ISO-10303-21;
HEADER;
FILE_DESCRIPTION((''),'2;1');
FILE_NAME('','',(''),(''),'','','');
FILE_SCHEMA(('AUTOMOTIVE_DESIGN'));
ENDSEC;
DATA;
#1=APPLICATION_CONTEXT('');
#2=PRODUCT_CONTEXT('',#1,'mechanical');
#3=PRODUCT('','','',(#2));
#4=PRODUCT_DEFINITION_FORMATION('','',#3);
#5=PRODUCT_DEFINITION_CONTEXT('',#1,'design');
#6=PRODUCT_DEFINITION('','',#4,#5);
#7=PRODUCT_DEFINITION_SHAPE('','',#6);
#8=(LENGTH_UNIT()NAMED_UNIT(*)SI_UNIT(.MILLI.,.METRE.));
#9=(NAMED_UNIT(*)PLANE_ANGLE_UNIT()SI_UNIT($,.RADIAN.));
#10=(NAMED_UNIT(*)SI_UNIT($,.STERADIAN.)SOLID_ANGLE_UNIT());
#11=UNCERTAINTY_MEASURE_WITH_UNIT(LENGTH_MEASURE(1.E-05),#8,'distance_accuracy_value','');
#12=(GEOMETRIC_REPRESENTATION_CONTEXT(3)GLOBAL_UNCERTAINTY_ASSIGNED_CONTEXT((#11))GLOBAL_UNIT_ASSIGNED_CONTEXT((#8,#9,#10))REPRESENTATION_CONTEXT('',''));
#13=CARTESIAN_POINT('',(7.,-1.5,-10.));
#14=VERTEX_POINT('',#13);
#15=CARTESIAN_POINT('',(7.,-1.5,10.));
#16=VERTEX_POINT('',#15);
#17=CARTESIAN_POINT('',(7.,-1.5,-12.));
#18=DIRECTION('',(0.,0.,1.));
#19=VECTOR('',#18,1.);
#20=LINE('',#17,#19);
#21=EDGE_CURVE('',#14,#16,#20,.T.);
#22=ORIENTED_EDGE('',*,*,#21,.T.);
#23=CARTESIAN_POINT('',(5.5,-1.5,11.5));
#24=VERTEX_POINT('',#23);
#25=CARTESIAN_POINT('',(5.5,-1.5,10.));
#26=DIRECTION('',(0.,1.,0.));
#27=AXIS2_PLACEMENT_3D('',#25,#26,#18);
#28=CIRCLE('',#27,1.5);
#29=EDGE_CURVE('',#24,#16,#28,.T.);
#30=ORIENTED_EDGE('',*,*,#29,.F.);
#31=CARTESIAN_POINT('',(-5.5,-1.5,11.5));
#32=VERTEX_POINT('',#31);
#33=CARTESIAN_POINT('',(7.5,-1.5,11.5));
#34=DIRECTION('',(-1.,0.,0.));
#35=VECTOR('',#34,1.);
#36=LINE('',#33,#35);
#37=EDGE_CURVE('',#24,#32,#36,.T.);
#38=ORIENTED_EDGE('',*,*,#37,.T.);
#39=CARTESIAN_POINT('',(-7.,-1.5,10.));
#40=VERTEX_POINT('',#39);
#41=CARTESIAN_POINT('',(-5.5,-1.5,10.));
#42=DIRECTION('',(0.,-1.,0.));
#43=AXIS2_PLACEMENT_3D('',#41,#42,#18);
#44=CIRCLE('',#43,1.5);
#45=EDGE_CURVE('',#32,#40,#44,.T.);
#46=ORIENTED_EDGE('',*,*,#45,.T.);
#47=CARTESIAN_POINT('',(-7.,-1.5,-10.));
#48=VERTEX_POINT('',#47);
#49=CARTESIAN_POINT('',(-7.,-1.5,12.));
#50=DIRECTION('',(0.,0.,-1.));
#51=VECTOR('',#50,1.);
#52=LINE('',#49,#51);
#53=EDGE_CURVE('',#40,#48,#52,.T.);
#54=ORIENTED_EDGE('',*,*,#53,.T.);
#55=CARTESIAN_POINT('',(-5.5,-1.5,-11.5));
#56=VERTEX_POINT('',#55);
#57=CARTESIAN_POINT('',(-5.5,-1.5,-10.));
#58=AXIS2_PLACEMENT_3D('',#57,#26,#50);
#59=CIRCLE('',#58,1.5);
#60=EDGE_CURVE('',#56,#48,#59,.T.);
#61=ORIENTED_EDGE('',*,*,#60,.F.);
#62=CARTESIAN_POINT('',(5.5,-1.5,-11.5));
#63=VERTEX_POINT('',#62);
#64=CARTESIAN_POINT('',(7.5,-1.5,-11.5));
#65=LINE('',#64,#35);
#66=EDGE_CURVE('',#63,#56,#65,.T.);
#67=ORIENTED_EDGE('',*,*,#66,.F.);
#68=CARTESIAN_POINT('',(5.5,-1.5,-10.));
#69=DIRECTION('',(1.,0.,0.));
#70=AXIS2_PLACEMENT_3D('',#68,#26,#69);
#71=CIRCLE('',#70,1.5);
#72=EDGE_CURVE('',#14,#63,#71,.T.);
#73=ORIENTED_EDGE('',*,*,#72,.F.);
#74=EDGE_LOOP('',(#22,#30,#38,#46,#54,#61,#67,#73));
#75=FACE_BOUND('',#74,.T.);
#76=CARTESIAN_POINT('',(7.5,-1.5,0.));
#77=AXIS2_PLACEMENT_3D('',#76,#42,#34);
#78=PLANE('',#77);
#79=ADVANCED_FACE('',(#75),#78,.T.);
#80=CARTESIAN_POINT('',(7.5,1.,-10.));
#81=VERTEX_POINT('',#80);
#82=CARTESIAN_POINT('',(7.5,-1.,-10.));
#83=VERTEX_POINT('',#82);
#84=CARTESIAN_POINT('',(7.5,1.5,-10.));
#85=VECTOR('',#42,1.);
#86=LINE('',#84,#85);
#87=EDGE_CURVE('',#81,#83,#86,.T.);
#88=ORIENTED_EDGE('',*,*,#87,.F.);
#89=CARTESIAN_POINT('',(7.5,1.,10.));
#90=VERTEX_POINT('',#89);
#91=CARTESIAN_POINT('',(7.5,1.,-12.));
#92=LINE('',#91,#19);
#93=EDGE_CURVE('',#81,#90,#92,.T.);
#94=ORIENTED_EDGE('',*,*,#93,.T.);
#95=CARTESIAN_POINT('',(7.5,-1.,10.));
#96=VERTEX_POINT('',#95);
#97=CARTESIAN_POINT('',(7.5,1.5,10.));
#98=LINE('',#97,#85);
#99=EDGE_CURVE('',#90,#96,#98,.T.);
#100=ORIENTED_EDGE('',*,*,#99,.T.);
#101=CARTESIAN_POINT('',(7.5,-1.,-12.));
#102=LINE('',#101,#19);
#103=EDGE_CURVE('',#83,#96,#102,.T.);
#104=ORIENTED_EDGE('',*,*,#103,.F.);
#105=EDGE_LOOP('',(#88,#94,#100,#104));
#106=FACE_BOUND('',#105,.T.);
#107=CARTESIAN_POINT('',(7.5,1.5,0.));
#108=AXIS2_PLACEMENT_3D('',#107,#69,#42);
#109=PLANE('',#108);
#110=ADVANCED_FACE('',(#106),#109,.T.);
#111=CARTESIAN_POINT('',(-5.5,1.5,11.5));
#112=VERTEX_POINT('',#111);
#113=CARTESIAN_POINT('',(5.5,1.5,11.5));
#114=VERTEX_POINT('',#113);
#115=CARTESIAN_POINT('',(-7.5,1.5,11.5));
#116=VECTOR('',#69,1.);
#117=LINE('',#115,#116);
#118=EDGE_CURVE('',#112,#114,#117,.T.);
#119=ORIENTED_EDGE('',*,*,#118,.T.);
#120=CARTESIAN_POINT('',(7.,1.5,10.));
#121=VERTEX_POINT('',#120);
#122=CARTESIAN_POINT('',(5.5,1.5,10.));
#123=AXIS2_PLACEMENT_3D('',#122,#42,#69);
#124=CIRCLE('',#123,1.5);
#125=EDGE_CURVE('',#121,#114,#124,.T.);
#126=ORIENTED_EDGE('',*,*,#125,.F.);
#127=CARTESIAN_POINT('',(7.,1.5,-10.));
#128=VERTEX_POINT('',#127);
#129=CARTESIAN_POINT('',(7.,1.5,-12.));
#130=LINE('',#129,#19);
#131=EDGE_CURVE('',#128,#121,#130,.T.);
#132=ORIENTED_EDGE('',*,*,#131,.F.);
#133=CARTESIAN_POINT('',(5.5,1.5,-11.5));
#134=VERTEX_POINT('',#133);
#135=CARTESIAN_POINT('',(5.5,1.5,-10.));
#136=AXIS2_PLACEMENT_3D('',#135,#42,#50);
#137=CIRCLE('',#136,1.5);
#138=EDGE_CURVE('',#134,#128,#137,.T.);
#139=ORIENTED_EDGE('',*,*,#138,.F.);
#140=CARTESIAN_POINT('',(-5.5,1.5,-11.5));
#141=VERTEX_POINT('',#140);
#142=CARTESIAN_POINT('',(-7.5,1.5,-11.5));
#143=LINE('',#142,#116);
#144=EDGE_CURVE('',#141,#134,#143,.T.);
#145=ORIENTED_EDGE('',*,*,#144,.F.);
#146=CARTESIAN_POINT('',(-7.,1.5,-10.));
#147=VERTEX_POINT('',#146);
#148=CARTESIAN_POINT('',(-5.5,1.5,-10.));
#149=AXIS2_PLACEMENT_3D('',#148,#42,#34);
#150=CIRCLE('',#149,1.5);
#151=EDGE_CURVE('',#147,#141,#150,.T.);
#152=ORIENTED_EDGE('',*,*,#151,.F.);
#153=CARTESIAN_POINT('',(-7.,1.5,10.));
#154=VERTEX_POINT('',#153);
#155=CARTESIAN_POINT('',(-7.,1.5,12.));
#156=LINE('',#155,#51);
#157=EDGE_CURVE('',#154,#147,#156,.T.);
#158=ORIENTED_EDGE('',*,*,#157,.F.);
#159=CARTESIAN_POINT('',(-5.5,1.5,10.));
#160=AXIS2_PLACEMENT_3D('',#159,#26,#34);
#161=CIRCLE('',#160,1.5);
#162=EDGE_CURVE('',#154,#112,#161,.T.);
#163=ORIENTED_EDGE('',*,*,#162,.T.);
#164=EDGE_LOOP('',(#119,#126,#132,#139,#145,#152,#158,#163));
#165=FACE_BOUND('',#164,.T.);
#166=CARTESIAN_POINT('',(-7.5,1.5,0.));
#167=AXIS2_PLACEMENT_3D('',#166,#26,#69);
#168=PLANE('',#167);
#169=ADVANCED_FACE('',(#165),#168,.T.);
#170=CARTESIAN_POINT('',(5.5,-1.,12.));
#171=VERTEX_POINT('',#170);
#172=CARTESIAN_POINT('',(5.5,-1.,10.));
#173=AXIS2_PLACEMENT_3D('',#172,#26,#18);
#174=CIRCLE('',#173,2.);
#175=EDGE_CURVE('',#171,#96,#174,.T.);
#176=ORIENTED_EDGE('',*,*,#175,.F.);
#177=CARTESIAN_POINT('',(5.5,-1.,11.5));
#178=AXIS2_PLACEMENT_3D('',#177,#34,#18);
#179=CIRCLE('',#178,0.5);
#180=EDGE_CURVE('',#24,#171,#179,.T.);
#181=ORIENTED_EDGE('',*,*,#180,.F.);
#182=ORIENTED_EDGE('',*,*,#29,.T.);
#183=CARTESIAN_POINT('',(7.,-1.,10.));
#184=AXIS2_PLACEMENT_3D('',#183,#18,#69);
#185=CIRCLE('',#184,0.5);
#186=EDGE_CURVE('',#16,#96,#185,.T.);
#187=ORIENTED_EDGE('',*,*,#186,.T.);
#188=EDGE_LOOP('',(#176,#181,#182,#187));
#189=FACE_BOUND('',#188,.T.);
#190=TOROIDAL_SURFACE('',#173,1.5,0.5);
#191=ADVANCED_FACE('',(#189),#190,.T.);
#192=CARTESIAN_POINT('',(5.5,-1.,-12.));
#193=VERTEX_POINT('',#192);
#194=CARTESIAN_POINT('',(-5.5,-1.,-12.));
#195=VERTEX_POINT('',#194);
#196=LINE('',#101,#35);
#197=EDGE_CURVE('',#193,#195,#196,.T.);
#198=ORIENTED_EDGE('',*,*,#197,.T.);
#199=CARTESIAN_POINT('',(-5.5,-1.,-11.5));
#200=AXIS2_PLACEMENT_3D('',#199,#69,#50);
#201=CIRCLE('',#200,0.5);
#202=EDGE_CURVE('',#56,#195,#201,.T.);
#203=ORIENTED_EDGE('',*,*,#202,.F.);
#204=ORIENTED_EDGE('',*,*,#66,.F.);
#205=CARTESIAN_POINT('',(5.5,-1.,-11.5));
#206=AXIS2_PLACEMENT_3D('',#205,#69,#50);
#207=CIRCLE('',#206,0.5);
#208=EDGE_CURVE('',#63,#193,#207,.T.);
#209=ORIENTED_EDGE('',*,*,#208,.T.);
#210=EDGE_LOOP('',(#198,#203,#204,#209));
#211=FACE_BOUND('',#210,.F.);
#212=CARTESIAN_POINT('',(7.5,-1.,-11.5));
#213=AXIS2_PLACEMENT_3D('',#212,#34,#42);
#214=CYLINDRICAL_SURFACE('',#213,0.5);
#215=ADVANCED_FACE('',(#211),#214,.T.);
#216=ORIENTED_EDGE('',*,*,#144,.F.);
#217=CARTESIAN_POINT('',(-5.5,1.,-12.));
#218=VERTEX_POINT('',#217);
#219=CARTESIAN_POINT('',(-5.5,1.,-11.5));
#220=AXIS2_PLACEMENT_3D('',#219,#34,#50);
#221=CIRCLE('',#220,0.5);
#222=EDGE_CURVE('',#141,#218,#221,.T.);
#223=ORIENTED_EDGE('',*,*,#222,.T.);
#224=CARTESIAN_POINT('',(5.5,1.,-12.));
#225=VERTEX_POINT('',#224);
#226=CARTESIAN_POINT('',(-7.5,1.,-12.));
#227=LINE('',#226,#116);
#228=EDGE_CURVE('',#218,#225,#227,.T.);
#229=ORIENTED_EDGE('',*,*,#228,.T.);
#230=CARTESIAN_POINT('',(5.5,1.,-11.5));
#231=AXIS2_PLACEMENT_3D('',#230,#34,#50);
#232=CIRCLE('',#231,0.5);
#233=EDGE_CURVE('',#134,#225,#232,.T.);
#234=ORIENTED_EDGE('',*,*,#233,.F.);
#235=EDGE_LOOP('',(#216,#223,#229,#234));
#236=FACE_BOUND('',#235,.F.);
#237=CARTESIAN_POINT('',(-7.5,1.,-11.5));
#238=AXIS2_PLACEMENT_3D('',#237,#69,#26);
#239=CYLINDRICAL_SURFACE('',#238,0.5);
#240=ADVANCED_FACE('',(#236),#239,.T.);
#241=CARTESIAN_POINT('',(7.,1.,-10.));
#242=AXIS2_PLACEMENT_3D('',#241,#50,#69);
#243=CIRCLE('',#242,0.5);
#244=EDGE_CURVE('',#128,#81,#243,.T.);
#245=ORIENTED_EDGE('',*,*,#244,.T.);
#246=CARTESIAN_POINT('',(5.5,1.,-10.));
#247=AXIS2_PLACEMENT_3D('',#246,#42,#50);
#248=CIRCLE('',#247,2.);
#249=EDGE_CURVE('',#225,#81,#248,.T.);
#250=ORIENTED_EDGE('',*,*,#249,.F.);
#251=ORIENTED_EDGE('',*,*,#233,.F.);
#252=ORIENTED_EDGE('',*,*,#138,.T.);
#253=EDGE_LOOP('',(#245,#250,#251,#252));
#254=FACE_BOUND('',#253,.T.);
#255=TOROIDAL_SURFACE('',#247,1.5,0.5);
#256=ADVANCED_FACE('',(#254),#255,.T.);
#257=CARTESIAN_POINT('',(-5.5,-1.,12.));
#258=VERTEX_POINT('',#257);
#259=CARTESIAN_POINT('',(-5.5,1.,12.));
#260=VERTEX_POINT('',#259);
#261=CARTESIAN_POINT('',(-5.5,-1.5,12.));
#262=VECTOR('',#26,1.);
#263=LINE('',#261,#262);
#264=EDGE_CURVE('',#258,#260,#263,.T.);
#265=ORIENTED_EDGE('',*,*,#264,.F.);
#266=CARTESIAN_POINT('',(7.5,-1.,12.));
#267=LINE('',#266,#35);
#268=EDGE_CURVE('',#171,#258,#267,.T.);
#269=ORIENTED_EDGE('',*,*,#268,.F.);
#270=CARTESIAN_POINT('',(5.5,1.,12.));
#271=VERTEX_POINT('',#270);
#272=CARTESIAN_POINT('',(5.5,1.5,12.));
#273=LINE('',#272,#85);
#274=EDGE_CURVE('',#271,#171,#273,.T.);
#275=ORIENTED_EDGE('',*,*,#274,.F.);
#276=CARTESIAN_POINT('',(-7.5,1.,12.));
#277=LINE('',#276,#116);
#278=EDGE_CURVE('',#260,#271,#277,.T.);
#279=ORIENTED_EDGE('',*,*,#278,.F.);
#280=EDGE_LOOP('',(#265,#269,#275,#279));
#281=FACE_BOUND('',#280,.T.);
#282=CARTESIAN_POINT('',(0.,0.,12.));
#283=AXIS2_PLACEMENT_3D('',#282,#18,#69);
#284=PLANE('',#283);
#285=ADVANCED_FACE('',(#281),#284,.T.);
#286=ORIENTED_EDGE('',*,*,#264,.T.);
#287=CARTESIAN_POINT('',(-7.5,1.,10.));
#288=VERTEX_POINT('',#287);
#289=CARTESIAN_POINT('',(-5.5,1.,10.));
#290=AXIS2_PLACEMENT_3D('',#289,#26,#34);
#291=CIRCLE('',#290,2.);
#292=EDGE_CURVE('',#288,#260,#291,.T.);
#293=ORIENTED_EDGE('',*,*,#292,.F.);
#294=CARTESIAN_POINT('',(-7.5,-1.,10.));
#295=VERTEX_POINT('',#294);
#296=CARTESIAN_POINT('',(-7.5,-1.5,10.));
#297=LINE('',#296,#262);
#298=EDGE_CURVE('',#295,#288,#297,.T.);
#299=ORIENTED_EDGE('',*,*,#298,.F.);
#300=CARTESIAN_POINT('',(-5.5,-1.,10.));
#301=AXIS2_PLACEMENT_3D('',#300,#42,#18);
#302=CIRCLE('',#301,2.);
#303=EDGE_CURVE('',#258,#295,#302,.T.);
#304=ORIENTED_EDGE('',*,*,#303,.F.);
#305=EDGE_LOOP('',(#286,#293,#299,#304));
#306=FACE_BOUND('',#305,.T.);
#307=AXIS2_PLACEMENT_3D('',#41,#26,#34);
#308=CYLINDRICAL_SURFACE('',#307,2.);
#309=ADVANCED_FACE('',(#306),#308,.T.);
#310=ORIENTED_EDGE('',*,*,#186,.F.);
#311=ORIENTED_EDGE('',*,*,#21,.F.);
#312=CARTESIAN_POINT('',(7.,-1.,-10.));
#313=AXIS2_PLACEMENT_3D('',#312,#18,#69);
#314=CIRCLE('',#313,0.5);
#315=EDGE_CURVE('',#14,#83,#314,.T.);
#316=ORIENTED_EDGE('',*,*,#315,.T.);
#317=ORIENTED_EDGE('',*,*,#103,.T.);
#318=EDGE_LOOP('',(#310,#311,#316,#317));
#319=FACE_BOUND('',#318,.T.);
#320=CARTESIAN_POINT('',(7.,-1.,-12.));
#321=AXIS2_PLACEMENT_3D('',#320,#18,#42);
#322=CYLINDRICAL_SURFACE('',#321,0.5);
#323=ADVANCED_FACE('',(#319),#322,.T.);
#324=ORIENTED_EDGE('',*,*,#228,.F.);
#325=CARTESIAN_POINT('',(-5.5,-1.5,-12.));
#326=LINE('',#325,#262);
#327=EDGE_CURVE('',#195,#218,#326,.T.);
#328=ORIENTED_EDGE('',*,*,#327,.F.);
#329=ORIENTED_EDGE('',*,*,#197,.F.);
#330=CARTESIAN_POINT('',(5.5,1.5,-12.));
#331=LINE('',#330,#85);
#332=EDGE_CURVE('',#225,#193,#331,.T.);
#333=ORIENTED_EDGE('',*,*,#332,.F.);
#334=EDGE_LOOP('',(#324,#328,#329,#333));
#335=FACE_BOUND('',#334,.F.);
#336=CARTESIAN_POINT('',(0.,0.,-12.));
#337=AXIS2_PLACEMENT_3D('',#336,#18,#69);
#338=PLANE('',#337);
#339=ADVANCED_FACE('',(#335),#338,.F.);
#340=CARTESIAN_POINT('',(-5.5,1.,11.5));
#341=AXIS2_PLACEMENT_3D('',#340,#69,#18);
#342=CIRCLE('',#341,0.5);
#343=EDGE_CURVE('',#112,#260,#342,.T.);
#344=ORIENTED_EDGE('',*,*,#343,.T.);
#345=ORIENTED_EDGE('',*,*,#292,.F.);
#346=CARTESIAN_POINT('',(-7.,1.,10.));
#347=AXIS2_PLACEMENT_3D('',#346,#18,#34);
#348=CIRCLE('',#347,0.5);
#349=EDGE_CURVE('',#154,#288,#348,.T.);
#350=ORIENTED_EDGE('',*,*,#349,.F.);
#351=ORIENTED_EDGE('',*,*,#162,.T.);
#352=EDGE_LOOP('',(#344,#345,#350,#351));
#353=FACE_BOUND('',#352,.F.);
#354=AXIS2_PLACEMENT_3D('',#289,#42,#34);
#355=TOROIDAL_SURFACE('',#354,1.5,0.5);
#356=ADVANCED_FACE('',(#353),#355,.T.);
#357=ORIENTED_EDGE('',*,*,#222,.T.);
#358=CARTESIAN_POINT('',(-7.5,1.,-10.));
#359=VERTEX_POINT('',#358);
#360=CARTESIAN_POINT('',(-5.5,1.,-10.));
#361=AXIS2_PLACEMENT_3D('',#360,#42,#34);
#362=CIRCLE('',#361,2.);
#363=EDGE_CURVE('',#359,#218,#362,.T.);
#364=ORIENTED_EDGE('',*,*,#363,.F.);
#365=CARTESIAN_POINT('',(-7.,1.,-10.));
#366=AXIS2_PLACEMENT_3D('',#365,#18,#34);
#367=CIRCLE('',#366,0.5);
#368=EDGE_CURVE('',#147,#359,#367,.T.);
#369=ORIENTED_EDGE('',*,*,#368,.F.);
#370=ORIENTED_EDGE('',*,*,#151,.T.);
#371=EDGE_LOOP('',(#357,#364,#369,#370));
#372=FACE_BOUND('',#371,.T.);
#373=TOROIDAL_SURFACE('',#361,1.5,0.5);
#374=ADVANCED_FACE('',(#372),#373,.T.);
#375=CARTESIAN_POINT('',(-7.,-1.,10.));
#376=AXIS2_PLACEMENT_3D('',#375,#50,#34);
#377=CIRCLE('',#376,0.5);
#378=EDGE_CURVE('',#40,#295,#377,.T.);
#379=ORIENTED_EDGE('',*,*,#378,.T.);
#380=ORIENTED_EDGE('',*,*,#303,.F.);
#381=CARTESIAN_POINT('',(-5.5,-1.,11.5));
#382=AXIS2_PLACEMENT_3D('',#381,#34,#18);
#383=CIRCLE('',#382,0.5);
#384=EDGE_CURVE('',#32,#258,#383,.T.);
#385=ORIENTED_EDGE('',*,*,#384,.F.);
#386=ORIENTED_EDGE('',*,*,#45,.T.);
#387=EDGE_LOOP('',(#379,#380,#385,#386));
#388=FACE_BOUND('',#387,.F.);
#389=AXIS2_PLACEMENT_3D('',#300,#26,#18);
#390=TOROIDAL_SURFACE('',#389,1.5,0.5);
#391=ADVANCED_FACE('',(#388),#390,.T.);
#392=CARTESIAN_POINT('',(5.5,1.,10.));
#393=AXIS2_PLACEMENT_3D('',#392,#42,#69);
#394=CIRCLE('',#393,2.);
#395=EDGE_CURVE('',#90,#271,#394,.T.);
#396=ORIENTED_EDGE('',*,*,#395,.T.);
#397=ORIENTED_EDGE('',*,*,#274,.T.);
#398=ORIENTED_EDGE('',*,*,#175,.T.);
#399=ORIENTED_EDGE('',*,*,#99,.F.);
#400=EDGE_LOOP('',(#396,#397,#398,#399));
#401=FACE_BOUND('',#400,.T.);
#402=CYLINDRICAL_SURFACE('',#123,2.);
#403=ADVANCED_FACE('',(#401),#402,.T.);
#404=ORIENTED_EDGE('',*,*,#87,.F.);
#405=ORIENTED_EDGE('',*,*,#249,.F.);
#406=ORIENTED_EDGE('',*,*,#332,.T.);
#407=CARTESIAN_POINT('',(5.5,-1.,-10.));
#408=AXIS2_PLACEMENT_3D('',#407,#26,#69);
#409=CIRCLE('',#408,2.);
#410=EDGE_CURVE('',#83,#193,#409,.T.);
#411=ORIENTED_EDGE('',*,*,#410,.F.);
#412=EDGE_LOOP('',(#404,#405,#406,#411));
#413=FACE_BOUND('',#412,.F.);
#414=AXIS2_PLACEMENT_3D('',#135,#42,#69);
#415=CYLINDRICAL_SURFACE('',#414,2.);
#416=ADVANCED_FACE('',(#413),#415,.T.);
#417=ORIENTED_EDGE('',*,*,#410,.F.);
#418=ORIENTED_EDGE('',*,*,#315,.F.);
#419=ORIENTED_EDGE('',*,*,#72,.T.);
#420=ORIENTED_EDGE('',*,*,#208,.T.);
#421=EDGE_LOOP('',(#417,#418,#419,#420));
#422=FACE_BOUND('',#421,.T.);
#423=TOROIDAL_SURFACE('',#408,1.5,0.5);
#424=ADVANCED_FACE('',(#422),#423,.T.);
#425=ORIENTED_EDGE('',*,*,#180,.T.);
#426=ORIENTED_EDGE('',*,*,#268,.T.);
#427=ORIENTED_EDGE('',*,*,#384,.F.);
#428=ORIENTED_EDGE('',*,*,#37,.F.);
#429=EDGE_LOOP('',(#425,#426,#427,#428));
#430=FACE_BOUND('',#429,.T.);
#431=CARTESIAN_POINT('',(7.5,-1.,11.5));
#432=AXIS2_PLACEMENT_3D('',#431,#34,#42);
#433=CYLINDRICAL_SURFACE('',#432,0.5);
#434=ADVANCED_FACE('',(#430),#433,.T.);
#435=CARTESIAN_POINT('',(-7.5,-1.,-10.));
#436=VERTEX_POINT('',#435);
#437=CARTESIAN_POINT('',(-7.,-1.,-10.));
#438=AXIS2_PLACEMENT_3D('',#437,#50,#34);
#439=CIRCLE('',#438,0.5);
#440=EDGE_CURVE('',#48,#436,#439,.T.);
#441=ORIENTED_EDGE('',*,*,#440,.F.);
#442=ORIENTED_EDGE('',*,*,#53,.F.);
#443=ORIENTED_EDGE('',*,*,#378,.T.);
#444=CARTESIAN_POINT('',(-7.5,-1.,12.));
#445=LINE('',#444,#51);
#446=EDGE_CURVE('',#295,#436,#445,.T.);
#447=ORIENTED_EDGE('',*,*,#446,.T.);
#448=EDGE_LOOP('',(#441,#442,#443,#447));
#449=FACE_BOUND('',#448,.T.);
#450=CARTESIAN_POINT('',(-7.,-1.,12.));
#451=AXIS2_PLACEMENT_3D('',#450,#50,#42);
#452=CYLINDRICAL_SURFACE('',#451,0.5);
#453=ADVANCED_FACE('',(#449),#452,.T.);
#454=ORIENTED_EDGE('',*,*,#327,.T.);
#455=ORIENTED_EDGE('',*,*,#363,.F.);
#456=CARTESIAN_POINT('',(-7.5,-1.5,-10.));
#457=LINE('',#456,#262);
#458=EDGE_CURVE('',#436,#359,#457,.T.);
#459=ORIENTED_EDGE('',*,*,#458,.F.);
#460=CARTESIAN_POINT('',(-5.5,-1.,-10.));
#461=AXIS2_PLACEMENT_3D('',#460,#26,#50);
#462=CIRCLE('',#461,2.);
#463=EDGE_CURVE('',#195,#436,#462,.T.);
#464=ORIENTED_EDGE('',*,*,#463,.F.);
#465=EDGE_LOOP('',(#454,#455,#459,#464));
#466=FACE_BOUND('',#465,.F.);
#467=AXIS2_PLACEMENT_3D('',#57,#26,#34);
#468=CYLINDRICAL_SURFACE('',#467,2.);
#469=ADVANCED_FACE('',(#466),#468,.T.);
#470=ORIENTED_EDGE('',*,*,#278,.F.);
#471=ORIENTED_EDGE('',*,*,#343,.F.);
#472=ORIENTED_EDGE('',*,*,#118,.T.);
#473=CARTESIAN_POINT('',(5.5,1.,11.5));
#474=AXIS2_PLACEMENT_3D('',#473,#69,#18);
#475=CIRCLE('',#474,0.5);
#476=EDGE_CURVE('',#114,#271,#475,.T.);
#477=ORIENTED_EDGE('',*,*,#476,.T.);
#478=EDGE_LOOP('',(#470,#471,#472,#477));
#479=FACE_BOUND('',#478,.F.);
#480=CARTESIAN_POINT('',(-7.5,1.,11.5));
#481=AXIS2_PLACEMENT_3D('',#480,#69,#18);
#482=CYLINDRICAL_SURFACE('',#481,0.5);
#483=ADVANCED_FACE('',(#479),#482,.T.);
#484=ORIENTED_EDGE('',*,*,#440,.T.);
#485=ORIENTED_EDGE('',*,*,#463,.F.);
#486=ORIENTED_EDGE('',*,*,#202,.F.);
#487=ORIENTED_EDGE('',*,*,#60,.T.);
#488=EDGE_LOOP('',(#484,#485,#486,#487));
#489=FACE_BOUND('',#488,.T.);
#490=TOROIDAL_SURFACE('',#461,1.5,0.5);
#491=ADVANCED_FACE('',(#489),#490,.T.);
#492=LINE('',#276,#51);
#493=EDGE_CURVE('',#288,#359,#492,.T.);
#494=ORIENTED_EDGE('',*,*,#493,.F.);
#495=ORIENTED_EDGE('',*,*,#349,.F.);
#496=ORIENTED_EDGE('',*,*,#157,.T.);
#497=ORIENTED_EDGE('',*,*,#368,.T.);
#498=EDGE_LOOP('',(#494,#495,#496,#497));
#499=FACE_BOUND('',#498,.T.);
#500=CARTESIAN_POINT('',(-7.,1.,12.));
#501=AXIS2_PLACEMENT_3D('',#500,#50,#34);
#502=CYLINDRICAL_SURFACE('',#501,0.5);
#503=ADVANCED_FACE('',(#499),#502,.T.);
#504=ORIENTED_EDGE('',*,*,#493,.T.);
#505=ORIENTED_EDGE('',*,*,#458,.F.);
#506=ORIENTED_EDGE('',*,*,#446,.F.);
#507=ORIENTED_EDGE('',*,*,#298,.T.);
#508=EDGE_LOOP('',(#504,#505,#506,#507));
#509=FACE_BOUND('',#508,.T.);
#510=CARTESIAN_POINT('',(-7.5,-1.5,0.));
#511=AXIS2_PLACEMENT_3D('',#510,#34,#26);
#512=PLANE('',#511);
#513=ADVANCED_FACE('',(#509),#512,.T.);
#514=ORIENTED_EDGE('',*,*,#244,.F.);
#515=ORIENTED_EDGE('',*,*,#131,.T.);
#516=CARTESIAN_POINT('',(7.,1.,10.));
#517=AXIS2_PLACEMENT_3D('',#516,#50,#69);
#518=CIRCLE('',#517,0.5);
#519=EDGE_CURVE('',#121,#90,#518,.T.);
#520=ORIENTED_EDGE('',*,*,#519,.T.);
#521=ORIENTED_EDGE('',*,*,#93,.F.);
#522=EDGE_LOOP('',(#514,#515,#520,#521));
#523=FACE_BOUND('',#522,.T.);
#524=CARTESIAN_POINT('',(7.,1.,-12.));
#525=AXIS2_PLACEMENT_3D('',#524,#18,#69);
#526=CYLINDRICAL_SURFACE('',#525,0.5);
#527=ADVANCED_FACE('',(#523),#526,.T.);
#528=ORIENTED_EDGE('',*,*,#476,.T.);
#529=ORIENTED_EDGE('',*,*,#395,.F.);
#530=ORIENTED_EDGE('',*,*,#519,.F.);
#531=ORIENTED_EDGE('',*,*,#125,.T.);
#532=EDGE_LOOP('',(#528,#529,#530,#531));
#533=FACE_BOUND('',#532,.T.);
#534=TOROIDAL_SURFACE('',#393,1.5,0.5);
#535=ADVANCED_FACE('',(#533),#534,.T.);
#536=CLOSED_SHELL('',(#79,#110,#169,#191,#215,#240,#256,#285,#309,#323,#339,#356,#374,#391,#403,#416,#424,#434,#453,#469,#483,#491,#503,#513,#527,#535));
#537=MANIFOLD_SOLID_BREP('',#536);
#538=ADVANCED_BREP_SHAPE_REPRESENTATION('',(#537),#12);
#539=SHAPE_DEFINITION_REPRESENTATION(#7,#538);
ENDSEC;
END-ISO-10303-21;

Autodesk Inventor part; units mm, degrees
ref_plane "YZ Plane" through (0, 0, 0) normal (1, 0, 0) x (0, 1, 0)
ref_plane "XZ Plane" through (0, 0, 0) normal (0, 1, 0) x (-1, 0, 0)
ref_plane "XY Plane" through (0, 0, 0) normal (0, 0, 1) x (1, 0, 0)
sketch "Sketch1" plane through (0, 0, 0) normal (0, 0, 1) x (1, 0, 0)
  line L0 (7.5, -1.5) -> (-7.5, -1.5)
  line L1 (-7.5, -1.5) -> (-7.5, 1.5)
  line L2 (-7.5, 1.5) -> (7.5, 1.5)
  line L3 (7.5, 1.5) -> (7.5, -1.5)
  line L4 (7.5, -1.5) -> (-7.5, 1.5) construction
  line L5 (-7.5, -1.5) -> (7.5, 1.5) construction
  point P0 (0, 0)
  dimension "d0" = 15
  dimension "d1" = 3
extrude "Extrusion1" add sketch "Sketch1" along normal mid plane 24
fillet "Fillet1" radius 2 4 edges at (7.5, 0, 12) (-7.5, 0, 12) (-7.5, 0, -12) (7.5, 0, -12)
fillet "Fillet1" radius 0.5 8 edges at (-7.5, 1.5, 0) (0, 1.5, -12) (7.5, 1.5, 0) (0, 1.5, 12) (0, -1.5, 12) (7.5, -1.5, 0) (0, -1.5, -12) (-7.5, -1.5, 0)
properties part number "6AESC" material "Steel"
